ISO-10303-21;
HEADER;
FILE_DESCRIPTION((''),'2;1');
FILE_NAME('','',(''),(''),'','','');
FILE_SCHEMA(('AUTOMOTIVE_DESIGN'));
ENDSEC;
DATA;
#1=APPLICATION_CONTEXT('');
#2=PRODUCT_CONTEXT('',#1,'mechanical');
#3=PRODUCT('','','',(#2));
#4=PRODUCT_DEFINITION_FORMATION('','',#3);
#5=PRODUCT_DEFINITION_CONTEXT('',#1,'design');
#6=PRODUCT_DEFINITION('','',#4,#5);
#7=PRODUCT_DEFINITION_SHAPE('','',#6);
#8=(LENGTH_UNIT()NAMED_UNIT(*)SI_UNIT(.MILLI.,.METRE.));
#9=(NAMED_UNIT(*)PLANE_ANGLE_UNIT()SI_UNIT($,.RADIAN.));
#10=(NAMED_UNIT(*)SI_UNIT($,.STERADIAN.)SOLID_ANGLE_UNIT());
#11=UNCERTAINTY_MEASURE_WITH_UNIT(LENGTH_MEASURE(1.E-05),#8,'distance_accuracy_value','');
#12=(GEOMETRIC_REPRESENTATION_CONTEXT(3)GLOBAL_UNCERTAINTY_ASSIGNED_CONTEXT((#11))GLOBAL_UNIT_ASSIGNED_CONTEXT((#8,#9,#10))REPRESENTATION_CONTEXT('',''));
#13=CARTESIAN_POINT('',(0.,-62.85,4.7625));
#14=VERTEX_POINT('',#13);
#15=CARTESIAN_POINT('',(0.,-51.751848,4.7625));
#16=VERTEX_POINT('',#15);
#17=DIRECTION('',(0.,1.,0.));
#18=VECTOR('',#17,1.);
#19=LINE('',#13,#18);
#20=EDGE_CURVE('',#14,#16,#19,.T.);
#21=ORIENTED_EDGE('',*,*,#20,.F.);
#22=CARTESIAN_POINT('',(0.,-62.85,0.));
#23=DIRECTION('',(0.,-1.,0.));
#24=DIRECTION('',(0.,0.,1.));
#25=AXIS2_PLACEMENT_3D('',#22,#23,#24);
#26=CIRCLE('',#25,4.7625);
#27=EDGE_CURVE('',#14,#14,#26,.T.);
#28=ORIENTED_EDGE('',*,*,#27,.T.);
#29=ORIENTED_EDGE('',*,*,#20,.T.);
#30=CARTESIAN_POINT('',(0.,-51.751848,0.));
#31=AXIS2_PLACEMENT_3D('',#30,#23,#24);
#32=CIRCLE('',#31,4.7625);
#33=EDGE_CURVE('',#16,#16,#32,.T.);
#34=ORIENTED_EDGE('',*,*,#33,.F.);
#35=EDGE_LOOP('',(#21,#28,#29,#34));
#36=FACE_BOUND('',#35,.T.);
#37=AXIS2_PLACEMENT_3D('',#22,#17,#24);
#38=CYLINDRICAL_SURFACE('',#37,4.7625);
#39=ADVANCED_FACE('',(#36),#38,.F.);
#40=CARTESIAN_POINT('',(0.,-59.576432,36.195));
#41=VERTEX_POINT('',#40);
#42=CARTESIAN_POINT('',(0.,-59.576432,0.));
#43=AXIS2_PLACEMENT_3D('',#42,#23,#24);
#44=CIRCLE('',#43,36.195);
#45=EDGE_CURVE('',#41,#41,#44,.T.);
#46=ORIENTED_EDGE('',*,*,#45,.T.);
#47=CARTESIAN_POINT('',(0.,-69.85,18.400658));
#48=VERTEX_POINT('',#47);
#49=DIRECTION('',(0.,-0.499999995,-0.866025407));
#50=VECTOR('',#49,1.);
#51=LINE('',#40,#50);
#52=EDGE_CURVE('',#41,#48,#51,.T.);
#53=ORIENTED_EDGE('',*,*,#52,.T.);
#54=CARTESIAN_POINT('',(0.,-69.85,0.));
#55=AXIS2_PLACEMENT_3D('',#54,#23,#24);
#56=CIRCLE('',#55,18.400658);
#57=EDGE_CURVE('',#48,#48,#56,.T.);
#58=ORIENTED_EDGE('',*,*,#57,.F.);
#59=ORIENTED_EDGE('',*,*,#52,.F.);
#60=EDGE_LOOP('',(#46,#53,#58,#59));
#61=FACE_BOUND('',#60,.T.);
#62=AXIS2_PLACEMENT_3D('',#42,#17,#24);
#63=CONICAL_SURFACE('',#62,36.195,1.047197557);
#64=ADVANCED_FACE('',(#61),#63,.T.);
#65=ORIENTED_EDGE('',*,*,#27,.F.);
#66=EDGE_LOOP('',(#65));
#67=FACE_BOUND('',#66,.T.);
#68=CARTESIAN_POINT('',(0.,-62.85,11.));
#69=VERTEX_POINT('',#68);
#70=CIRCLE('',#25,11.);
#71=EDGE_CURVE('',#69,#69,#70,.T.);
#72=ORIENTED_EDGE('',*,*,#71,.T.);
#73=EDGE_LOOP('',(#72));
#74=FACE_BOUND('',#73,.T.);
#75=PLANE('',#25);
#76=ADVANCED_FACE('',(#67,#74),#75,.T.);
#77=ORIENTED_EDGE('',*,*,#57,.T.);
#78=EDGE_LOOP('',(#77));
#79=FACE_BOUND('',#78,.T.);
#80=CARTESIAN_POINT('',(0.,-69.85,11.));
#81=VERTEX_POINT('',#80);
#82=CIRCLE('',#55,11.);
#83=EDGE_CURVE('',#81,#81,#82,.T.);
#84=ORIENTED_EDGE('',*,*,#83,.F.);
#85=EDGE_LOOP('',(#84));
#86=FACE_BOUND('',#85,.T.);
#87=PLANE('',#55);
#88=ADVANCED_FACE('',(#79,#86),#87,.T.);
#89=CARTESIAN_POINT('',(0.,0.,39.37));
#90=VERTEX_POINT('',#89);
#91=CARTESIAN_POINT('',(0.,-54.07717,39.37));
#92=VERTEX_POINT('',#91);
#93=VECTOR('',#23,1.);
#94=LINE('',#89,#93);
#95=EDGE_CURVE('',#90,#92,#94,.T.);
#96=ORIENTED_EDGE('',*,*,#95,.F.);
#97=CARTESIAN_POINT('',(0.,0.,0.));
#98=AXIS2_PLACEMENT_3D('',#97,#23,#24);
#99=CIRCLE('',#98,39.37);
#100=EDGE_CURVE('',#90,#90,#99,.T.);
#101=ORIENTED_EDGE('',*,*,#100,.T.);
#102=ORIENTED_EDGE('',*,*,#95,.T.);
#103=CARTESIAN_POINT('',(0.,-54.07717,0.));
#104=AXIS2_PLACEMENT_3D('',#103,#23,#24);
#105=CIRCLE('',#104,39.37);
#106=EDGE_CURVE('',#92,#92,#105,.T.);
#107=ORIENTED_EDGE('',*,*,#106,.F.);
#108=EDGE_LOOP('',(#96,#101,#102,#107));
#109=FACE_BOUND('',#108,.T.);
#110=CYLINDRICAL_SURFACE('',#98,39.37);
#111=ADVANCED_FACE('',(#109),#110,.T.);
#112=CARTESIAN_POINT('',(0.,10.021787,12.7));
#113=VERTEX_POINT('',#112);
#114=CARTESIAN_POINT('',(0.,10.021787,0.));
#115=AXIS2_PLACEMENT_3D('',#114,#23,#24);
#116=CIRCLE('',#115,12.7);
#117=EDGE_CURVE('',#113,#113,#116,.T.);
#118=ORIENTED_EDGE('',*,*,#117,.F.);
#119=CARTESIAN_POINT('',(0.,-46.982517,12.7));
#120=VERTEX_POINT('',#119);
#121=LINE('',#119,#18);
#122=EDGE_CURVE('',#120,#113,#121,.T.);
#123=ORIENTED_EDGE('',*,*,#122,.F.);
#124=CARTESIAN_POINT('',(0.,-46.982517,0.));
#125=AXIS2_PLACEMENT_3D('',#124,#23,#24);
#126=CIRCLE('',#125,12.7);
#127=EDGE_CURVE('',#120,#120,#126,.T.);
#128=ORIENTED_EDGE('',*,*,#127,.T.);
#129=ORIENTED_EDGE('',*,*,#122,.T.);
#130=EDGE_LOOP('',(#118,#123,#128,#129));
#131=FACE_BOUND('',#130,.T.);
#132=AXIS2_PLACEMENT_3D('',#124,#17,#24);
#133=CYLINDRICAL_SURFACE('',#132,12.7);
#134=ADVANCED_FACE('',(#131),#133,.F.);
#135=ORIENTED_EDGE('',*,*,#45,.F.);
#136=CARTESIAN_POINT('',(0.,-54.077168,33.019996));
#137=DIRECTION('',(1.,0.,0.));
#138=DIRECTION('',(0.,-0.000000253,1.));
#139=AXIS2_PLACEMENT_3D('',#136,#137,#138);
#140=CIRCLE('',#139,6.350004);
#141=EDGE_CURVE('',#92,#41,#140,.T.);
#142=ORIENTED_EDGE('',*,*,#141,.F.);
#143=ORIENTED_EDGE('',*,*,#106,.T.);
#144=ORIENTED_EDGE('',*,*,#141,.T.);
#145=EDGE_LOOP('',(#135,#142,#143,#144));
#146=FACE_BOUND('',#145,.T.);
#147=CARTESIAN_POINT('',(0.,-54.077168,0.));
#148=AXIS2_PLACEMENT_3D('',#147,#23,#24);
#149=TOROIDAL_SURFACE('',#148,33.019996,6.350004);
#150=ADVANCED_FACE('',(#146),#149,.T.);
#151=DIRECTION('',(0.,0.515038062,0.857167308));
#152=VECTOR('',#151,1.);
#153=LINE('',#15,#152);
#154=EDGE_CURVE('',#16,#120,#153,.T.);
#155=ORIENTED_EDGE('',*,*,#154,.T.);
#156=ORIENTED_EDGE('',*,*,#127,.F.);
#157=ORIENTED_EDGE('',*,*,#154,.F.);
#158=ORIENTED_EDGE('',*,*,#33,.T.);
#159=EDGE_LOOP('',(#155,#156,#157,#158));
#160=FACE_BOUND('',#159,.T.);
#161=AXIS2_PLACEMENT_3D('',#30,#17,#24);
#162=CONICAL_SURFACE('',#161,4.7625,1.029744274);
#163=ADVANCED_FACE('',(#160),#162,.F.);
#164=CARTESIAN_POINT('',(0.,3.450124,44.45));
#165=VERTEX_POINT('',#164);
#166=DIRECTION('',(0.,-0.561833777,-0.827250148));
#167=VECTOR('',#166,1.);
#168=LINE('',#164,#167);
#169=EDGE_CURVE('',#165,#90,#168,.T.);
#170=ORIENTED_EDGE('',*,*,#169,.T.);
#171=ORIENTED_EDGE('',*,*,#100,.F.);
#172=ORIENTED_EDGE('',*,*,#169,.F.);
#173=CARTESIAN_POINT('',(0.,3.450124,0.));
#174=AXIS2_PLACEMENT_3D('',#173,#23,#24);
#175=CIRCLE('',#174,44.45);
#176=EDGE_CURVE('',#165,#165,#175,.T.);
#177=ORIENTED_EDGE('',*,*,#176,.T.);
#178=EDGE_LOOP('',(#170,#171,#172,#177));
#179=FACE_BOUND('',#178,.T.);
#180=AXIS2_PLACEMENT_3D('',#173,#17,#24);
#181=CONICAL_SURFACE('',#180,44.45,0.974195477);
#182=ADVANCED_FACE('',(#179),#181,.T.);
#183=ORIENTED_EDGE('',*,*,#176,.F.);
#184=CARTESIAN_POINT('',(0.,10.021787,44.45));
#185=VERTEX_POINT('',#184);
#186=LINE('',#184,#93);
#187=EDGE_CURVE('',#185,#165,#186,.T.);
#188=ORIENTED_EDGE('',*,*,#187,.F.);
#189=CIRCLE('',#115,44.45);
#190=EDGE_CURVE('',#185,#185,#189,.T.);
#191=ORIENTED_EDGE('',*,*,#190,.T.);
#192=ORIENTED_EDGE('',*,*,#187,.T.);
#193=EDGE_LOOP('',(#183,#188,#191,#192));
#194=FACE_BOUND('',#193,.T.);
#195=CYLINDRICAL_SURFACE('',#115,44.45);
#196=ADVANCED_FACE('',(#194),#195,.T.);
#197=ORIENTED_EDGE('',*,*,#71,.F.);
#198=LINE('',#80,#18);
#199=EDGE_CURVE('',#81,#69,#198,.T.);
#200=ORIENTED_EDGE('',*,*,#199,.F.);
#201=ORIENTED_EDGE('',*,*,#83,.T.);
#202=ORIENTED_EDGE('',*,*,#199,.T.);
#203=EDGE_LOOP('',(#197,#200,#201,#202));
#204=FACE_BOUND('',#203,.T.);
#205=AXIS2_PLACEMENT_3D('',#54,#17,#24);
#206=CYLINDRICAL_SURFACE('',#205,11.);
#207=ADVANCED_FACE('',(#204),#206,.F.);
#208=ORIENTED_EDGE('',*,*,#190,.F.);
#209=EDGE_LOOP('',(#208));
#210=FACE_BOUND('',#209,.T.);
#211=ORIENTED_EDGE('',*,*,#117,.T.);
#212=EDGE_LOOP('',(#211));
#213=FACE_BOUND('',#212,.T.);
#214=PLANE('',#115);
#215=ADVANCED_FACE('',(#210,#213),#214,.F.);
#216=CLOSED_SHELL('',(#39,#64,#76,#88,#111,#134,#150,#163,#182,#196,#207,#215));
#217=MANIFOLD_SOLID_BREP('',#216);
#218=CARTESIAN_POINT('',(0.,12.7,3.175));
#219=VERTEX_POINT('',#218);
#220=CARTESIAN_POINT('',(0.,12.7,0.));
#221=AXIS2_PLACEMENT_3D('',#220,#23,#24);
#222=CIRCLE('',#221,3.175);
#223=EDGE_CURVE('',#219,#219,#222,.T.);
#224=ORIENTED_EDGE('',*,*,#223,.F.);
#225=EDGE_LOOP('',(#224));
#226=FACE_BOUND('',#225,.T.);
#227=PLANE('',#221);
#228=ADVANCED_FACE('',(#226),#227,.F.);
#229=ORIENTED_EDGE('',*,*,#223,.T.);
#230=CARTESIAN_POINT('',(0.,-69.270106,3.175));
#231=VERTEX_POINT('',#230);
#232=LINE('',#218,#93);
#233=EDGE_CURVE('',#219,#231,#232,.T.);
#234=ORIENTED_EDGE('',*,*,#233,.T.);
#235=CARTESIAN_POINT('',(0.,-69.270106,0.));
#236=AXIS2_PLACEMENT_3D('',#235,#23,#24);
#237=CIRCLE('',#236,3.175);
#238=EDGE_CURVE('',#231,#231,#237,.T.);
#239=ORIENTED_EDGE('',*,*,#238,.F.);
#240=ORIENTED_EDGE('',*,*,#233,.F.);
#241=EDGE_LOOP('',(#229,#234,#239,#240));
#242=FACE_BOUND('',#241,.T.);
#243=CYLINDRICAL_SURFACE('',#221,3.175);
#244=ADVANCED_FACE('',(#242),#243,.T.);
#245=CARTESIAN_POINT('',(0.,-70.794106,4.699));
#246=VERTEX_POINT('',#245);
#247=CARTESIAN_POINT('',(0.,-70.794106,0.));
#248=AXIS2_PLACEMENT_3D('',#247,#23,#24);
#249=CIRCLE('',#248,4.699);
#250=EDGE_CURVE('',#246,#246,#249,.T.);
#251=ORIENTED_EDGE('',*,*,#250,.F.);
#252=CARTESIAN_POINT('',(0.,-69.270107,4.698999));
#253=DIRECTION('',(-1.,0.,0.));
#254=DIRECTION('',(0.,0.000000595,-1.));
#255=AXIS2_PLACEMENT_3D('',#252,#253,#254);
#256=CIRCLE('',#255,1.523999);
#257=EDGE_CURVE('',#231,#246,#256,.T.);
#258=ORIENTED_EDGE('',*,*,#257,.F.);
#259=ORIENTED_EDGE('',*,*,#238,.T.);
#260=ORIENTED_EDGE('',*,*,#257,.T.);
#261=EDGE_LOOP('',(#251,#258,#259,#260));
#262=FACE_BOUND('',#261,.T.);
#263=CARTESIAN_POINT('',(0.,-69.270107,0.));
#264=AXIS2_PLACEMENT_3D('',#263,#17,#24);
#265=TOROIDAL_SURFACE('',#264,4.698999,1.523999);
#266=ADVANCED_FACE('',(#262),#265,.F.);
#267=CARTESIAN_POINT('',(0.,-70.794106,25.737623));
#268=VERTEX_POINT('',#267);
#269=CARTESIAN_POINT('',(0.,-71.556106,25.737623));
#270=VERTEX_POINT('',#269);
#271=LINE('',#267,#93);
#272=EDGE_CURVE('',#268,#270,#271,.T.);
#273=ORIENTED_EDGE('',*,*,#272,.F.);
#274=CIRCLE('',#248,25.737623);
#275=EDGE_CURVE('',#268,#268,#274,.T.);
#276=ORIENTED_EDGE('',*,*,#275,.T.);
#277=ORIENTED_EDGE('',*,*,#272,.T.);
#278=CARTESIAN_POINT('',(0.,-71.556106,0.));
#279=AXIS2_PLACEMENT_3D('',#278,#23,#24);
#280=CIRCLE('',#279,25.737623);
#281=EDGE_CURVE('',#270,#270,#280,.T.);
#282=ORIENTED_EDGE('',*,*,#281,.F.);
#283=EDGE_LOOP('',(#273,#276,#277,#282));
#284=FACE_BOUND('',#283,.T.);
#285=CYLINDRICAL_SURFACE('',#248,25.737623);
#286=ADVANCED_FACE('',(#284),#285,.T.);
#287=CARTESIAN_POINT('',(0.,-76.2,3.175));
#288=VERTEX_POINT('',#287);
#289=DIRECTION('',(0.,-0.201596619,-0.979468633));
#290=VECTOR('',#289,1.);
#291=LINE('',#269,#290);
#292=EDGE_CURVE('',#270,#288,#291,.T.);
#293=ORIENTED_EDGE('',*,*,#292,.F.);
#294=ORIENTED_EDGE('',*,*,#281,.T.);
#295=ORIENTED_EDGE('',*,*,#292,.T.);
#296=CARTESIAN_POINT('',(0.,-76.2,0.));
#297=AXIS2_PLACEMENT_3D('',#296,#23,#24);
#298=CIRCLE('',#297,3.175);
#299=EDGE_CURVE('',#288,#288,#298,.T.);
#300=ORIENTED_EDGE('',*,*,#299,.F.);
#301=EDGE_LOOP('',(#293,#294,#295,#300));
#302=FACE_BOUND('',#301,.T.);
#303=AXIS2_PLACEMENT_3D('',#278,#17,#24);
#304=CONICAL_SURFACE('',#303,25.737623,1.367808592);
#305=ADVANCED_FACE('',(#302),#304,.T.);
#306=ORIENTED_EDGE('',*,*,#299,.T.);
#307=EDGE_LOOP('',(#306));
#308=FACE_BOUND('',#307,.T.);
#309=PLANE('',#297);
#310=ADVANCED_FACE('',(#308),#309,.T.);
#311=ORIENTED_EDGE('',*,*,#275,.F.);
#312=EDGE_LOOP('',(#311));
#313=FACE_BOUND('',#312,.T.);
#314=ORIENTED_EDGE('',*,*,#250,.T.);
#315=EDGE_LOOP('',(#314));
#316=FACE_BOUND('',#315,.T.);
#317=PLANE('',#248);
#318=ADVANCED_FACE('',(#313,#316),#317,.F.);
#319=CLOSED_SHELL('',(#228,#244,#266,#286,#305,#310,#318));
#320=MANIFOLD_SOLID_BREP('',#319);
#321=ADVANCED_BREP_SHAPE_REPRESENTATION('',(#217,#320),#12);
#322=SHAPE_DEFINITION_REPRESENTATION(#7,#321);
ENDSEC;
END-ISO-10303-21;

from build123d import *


with BuildPart() as f1:
    # F0 (on Right) → F1 (revolve)
    with BuildSketch(Plane.YZ):
        with BuildLine():
            Line((3.450124, 44.45), (0, 39.37))
            Line((0, 39.37), (-54.07717, 39.37))
            ThreePointArc((-54.07717, 39.37), (-57.25217, 38.519261), (-59.576432, 36.195))
            Line((-59.576432, 36.195), (-69.85, 18.400658))
            Line((-69.85, 18.400658), (-69.85, 11))
            Line((-69.85, 11), (-62.85, 11))
            Line((-62.85, 11), (-62.85, 4.7625))
            Line((-62.85, 4.7625), (-51.751848, 4.7625))
            Line((-51.751848, 4.7625), (-46.982517, 12.7))
            Line((-46.982517, 12.7), (10.021787, 12.7))
            Line((10.021787, 12.7), (10.021787, 44.45))
            Line((10.021787, 44.45), (3.450124, 44.45))
        make_face()
    revolve(axis=Axis((0, -61.691489, 0), (0, -1, 0)))


with BuildPart() as f4:
    # F2 (on Right) → F4 (revolve)
    with BuildSketch(Plane.YZ):
        with BuildLine():
            Line((-76.2, 0), (0, 0))
            Line((0, 0), (12.7, 0))
            Line((12.7, 0), (12.7, 3.175))
            Line((12.7, 3.175), (-69.270106, 3.175))
            ThreePointArc((-69.270106, 3.175), (-70.347737, 3.621369), (-70.794106, 4.699))
            Line((-70.794106, 4.699), (-70.794106, 25.737623))
            Line((-70.794106, 25.737623), (-71.556106, 25.737623))
            Line((-71.556106, 25.737623), (-76.2, 3.175))
            Line((-76.2, 3.175), (-76.2, 0))
        make_face()
    revolve(axis=Axis((0, -81.0768, 0), (0, -1, 0)))


solid = Compound([f1.part, f4.part])
